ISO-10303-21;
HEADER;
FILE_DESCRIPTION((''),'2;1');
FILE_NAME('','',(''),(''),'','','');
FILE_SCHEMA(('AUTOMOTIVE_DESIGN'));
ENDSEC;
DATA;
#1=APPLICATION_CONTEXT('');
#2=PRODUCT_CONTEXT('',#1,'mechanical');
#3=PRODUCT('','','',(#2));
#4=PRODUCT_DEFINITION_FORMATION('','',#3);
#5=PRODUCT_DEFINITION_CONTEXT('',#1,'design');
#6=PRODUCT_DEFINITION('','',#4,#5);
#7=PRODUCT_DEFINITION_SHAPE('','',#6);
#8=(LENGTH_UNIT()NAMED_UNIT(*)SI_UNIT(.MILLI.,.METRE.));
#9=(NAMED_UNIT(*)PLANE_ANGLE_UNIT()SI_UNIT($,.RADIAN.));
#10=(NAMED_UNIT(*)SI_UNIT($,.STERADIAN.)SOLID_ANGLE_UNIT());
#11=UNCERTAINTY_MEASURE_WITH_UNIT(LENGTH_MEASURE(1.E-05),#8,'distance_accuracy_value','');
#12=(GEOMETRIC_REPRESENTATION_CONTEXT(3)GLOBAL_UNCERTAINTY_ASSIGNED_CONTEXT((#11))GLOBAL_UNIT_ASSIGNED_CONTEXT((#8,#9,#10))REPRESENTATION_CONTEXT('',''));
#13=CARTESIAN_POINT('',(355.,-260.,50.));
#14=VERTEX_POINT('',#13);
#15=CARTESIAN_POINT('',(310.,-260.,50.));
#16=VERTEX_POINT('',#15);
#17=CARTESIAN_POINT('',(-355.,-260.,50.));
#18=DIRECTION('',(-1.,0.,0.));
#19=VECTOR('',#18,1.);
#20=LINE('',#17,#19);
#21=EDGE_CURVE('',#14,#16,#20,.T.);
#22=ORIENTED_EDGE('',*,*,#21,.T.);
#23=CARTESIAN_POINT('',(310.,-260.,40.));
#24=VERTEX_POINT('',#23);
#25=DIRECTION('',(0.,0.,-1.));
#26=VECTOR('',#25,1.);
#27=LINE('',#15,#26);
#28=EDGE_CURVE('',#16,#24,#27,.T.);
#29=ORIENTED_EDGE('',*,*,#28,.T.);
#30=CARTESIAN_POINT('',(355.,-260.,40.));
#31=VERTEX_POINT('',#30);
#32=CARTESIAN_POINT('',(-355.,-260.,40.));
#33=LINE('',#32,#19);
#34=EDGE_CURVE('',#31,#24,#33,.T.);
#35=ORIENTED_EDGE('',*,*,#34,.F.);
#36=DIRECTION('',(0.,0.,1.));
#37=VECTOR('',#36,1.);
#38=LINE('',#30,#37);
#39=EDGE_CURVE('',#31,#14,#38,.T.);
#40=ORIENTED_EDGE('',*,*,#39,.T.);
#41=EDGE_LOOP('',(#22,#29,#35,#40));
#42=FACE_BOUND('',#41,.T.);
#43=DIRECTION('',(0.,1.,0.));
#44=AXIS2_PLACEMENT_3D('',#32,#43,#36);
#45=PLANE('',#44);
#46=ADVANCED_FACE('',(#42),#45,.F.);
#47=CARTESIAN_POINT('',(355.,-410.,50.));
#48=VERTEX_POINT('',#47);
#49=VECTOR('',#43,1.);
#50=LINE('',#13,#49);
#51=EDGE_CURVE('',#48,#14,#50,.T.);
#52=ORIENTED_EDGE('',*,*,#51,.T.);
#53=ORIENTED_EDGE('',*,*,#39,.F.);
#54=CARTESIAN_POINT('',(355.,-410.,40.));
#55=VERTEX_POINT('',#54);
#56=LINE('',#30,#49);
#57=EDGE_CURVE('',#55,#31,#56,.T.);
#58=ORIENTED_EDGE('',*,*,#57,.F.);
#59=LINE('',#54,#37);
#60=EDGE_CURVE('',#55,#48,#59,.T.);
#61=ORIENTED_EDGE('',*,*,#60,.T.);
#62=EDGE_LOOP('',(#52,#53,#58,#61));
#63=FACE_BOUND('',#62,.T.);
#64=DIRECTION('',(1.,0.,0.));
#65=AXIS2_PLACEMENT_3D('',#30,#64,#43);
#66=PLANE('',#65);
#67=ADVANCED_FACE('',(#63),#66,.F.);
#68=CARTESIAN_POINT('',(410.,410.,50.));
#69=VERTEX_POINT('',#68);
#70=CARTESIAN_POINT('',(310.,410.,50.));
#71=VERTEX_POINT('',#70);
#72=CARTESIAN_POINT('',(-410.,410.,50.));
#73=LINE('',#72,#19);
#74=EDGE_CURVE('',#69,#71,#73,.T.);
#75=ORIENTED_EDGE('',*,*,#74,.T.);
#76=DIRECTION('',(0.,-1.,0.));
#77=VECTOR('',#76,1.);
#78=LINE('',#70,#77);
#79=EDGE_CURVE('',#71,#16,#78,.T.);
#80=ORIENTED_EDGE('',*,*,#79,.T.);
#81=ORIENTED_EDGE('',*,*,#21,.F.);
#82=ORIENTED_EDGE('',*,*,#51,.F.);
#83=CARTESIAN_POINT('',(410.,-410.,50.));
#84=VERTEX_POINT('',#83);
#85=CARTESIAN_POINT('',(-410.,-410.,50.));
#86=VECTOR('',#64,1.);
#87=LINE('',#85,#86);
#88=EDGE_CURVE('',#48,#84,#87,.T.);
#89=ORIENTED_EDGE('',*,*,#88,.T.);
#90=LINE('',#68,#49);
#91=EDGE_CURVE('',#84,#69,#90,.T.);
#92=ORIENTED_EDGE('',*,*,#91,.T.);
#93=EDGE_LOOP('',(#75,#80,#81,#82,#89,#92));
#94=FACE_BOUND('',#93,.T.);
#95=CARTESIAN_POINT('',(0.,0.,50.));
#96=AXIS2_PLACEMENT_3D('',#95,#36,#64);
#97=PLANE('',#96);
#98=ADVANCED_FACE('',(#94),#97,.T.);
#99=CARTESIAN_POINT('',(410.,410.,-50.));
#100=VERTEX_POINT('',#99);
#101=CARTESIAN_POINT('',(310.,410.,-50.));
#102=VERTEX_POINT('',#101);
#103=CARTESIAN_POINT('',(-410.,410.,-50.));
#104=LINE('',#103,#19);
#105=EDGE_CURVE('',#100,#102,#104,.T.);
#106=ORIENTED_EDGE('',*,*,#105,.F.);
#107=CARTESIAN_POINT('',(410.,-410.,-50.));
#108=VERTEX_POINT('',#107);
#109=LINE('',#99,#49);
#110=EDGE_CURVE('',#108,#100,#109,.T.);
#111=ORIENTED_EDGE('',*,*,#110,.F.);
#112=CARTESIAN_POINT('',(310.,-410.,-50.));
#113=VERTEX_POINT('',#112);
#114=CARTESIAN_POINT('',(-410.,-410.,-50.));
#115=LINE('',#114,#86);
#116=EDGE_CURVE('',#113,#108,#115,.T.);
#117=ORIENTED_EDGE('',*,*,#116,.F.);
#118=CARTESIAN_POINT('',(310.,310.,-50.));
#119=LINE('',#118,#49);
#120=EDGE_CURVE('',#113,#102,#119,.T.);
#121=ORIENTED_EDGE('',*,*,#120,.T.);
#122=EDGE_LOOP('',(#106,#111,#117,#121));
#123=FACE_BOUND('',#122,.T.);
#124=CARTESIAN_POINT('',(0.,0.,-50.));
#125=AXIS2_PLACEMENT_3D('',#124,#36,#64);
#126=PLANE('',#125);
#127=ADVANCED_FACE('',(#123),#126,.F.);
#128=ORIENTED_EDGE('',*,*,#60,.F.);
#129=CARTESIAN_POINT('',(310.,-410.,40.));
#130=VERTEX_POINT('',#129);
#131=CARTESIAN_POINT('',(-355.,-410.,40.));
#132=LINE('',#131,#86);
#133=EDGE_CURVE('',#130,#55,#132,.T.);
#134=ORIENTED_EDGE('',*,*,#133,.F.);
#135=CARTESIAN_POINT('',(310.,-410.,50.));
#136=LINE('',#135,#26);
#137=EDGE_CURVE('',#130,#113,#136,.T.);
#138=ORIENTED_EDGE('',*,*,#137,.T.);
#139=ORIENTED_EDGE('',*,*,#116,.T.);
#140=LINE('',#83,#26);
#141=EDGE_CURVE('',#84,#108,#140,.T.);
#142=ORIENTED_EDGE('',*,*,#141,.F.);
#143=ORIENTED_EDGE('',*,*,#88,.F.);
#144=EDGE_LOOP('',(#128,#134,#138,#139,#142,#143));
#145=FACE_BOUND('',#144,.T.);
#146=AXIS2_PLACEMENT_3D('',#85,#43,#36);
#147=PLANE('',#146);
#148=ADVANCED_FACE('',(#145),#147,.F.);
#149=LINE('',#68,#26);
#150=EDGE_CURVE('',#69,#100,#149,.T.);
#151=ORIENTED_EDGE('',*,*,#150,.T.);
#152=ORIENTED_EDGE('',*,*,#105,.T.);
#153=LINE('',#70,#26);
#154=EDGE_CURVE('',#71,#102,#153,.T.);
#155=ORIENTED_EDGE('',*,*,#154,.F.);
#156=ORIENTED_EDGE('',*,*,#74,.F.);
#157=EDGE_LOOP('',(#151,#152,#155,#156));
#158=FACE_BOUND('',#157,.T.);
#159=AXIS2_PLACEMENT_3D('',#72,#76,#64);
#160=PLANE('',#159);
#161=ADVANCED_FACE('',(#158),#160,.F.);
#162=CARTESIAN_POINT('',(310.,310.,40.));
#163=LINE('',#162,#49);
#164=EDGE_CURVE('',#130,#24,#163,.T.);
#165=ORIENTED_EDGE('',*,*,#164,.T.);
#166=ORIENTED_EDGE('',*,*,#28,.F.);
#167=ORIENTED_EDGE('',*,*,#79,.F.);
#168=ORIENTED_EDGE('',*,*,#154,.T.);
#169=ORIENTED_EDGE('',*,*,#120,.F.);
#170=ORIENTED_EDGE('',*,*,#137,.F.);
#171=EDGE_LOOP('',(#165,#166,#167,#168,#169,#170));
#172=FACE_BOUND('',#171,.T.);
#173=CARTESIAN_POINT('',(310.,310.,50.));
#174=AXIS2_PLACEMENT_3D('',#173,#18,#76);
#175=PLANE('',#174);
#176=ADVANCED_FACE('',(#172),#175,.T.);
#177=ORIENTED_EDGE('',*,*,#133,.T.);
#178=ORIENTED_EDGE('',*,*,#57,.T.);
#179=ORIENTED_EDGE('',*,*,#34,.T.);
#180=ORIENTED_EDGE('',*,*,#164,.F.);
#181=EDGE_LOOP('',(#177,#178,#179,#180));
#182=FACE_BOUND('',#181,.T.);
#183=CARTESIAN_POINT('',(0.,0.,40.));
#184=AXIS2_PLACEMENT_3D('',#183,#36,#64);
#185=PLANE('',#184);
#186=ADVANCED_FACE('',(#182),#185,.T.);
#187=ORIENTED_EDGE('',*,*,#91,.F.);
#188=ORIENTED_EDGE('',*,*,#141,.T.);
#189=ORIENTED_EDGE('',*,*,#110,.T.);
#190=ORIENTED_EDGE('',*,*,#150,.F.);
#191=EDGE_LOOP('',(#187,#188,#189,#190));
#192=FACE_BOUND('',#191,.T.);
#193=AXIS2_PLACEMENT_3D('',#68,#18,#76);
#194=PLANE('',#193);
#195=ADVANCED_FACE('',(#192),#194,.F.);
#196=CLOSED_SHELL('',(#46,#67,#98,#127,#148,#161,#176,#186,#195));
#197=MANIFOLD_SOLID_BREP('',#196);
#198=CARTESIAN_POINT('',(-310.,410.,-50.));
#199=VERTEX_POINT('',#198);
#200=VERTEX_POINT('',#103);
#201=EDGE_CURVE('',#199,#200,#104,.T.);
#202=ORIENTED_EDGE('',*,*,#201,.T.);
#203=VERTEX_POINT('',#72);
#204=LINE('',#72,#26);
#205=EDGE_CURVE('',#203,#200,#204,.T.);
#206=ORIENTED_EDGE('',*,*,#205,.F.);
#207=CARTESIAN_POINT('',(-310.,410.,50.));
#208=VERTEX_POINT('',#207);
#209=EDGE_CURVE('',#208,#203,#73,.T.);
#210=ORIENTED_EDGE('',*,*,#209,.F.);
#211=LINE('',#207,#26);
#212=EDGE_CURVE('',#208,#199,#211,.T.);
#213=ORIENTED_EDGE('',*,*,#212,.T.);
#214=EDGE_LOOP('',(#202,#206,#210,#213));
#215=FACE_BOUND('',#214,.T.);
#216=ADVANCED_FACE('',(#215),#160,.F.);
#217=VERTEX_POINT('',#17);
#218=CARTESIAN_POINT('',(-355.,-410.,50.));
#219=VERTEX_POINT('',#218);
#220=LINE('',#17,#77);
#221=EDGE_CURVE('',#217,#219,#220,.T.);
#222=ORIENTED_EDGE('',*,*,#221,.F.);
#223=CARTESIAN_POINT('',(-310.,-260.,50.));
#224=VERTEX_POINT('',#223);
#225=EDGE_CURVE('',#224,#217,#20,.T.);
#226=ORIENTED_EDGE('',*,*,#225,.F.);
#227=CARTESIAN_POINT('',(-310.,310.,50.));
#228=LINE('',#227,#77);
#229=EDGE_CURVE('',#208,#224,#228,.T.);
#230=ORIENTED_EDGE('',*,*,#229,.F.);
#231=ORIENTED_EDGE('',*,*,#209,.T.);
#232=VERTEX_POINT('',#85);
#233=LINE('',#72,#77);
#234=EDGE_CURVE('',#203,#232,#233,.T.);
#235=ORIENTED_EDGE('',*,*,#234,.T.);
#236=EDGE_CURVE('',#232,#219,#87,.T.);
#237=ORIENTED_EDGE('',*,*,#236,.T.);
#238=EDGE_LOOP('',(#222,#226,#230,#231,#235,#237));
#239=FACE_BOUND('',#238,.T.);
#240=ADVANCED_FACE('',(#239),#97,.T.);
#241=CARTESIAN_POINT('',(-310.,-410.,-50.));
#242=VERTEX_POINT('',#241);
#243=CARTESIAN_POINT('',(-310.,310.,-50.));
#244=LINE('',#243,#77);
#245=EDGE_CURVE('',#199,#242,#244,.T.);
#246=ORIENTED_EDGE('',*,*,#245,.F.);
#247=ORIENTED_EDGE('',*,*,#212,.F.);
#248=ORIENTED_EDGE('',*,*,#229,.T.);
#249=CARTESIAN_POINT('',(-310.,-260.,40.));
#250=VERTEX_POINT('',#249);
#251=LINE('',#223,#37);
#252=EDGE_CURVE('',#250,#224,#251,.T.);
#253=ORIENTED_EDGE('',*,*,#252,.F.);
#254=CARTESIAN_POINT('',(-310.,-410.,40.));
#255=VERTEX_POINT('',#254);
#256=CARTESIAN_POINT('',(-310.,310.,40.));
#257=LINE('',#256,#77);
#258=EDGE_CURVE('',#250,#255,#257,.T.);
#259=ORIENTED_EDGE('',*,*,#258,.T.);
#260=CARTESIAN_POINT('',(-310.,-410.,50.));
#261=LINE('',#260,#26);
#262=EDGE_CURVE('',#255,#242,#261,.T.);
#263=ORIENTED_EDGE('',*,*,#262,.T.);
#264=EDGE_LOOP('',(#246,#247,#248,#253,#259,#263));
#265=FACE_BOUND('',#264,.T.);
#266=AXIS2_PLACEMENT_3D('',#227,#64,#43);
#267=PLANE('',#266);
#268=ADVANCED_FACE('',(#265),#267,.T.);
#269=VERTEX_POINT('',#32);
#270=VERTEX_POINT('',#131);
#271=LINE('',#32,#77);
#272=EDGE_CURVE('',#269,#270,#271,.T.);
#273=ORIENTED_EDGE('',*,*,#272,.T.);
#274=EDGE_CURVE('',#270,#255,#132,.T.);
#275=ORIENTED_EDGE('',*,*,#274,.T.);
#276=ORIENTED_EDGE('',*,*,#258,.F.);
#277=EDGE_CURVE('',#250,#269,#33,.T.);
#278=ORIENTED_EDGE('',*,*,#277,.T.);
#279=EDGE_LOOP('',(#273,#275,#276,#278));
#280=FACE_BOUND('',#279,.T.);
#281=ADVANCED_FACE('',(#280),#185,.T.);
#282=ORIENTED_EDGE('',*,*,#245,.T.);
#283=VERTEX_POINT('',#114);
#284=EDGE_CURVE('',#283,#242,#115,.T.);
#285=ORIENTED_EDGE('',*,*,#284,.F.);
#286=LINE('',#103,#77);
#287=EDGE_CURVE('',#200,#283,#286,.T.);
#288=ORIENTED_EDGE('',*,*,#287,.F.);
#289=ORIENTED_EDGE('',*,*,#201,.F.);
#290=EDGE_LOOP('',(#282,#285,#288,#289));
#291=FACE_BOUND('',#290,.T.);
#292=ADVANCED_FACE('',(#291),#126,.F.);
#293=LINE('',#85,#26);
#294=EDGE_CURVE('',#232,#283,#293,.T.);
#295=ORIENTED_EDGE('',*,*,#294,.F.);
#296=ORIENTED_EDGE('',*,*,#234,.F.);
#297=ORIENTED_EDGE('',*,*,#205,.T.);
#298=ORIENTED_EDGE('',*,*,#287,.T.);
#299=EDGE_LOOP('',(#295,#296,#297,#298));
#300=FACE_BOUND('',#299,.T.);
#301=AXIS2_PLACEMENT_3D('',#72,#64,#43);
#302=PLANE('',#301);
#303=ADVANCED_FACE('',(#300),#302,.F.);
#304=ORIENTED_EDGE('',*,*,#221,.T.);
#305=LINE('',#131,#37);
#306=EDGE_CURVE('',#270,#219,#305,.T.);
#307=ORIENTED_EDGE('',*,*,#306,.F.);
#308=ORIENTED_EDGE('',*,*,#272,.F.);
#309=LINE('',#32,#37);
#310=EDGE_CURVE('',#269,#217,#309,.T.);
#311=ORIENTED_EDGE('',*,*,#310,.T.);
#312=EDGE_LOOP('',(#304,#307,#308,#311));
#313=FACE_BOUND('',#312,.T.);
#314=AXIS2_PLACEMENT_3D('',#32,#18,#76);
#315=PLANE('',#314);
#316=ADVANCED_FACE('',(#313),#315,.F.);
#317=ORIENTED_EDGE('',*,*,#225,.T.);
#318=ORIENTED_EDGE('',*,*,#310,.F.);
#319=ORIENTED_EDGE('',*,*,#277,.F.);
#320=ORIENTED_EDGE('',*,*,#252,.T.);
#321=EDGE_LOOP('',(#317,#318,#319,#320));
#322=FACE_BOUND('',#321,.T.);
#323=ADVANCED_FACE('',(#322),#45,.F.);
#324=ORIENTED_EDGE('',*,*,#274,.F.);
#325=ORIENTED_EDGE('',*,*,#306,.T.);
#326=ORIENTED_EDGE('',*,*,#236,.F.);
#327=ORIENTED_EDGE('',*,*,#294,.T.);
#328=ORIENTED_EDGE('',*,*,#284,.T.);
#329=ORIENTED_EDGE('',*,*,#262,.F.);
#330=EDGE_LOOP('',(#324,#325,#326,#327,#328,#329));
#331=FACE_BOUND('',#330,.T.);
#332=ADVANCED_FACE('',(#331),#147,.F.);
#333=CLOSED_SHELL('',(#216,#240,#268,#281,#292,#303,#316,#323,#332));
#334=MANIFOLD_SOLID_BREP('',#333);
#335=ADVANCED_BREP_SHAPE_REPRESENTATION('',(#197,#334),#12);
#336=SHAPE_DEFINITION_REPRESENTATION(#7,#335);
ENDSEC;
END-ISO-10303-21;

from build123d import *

# Parameters (mm, degrees)
SKETCH1_W           = 820
SKETCH1_H           = 820
SKETCH1_W_2         = 620
SKETCH1_H_2         = 620
BOSS_EXTRUDE1_DEPTH = 50
SKETCH2_W           = 710
SKETCH2_H           = 150
CUT_EXTRUDE1_DEPTH  = 10
SKETCH3_W           = 620
SKETCH3_H           = 100
CUT_EXTRUDE2_DEPTH  = 589.387627334


with BuildPart() as part:
    # Sketch1 → Boss-Extrude1 (new, symmetric)
    with BuildSketch(Plane.XY):
        Rectangle(SKETCH1_W, SKETCH1_H)
        Rectangle(SKETCH1_W_2, SKETCH1_H_2, mode=Mode.SUBTRACT)
    extrude(amount=BOSS_EXTRUDE1_DEPTH, both=True)

    # Sketch2 → Cut-Extrude1 (cut)
    with BuildSketch(Plane.XY.offset(50)):
        with Locations((0, -335)):
            Rectangle(SKETCH2_W, SKETCH2_H)
    extrude(amount=-CUT_EXTRUDE1_DEPTH, mode=Mode.SUBTRACT)

    # Sketch3 → Cut-Extrude2 (cut, through all)
    with BuildSketch(Plane(origin=(0, 0, -50), x_dir=(-1, 0, 0), z_dir=(0, 0, -1))):
        with Locations((0, -360)):
            Rectangle(SKETCH3_W, SKETCH3_H)
        with Locations((0, 360)):
            Rectangle(SKETCH3_W, SKETCH3_H)
    extrude(amount=-CUT_EXTRUDE2_DEPTH, mode=Mode.SUBTRACT)


with BuildPart() as cut_extrude2_piece_1:
    # of the separate pieces the step leaves, piece 1, a body of its own (cut_extrude2_pieces)
    add(part.part.solids().sort_by_distance((-410, 410, -50))[0])


with BuildPart() as cut_extrude2_piece_2:
    # of the separate pieces the step leaves, piece 2, a body of its own (cut_extrude2_pieces)
    add(part.part.solids().sort_by_distance((310, 410, -50))[0])


solid = Compound([cut_extrude2_piece_1.part, cut_extrude2_piece_2.part])
